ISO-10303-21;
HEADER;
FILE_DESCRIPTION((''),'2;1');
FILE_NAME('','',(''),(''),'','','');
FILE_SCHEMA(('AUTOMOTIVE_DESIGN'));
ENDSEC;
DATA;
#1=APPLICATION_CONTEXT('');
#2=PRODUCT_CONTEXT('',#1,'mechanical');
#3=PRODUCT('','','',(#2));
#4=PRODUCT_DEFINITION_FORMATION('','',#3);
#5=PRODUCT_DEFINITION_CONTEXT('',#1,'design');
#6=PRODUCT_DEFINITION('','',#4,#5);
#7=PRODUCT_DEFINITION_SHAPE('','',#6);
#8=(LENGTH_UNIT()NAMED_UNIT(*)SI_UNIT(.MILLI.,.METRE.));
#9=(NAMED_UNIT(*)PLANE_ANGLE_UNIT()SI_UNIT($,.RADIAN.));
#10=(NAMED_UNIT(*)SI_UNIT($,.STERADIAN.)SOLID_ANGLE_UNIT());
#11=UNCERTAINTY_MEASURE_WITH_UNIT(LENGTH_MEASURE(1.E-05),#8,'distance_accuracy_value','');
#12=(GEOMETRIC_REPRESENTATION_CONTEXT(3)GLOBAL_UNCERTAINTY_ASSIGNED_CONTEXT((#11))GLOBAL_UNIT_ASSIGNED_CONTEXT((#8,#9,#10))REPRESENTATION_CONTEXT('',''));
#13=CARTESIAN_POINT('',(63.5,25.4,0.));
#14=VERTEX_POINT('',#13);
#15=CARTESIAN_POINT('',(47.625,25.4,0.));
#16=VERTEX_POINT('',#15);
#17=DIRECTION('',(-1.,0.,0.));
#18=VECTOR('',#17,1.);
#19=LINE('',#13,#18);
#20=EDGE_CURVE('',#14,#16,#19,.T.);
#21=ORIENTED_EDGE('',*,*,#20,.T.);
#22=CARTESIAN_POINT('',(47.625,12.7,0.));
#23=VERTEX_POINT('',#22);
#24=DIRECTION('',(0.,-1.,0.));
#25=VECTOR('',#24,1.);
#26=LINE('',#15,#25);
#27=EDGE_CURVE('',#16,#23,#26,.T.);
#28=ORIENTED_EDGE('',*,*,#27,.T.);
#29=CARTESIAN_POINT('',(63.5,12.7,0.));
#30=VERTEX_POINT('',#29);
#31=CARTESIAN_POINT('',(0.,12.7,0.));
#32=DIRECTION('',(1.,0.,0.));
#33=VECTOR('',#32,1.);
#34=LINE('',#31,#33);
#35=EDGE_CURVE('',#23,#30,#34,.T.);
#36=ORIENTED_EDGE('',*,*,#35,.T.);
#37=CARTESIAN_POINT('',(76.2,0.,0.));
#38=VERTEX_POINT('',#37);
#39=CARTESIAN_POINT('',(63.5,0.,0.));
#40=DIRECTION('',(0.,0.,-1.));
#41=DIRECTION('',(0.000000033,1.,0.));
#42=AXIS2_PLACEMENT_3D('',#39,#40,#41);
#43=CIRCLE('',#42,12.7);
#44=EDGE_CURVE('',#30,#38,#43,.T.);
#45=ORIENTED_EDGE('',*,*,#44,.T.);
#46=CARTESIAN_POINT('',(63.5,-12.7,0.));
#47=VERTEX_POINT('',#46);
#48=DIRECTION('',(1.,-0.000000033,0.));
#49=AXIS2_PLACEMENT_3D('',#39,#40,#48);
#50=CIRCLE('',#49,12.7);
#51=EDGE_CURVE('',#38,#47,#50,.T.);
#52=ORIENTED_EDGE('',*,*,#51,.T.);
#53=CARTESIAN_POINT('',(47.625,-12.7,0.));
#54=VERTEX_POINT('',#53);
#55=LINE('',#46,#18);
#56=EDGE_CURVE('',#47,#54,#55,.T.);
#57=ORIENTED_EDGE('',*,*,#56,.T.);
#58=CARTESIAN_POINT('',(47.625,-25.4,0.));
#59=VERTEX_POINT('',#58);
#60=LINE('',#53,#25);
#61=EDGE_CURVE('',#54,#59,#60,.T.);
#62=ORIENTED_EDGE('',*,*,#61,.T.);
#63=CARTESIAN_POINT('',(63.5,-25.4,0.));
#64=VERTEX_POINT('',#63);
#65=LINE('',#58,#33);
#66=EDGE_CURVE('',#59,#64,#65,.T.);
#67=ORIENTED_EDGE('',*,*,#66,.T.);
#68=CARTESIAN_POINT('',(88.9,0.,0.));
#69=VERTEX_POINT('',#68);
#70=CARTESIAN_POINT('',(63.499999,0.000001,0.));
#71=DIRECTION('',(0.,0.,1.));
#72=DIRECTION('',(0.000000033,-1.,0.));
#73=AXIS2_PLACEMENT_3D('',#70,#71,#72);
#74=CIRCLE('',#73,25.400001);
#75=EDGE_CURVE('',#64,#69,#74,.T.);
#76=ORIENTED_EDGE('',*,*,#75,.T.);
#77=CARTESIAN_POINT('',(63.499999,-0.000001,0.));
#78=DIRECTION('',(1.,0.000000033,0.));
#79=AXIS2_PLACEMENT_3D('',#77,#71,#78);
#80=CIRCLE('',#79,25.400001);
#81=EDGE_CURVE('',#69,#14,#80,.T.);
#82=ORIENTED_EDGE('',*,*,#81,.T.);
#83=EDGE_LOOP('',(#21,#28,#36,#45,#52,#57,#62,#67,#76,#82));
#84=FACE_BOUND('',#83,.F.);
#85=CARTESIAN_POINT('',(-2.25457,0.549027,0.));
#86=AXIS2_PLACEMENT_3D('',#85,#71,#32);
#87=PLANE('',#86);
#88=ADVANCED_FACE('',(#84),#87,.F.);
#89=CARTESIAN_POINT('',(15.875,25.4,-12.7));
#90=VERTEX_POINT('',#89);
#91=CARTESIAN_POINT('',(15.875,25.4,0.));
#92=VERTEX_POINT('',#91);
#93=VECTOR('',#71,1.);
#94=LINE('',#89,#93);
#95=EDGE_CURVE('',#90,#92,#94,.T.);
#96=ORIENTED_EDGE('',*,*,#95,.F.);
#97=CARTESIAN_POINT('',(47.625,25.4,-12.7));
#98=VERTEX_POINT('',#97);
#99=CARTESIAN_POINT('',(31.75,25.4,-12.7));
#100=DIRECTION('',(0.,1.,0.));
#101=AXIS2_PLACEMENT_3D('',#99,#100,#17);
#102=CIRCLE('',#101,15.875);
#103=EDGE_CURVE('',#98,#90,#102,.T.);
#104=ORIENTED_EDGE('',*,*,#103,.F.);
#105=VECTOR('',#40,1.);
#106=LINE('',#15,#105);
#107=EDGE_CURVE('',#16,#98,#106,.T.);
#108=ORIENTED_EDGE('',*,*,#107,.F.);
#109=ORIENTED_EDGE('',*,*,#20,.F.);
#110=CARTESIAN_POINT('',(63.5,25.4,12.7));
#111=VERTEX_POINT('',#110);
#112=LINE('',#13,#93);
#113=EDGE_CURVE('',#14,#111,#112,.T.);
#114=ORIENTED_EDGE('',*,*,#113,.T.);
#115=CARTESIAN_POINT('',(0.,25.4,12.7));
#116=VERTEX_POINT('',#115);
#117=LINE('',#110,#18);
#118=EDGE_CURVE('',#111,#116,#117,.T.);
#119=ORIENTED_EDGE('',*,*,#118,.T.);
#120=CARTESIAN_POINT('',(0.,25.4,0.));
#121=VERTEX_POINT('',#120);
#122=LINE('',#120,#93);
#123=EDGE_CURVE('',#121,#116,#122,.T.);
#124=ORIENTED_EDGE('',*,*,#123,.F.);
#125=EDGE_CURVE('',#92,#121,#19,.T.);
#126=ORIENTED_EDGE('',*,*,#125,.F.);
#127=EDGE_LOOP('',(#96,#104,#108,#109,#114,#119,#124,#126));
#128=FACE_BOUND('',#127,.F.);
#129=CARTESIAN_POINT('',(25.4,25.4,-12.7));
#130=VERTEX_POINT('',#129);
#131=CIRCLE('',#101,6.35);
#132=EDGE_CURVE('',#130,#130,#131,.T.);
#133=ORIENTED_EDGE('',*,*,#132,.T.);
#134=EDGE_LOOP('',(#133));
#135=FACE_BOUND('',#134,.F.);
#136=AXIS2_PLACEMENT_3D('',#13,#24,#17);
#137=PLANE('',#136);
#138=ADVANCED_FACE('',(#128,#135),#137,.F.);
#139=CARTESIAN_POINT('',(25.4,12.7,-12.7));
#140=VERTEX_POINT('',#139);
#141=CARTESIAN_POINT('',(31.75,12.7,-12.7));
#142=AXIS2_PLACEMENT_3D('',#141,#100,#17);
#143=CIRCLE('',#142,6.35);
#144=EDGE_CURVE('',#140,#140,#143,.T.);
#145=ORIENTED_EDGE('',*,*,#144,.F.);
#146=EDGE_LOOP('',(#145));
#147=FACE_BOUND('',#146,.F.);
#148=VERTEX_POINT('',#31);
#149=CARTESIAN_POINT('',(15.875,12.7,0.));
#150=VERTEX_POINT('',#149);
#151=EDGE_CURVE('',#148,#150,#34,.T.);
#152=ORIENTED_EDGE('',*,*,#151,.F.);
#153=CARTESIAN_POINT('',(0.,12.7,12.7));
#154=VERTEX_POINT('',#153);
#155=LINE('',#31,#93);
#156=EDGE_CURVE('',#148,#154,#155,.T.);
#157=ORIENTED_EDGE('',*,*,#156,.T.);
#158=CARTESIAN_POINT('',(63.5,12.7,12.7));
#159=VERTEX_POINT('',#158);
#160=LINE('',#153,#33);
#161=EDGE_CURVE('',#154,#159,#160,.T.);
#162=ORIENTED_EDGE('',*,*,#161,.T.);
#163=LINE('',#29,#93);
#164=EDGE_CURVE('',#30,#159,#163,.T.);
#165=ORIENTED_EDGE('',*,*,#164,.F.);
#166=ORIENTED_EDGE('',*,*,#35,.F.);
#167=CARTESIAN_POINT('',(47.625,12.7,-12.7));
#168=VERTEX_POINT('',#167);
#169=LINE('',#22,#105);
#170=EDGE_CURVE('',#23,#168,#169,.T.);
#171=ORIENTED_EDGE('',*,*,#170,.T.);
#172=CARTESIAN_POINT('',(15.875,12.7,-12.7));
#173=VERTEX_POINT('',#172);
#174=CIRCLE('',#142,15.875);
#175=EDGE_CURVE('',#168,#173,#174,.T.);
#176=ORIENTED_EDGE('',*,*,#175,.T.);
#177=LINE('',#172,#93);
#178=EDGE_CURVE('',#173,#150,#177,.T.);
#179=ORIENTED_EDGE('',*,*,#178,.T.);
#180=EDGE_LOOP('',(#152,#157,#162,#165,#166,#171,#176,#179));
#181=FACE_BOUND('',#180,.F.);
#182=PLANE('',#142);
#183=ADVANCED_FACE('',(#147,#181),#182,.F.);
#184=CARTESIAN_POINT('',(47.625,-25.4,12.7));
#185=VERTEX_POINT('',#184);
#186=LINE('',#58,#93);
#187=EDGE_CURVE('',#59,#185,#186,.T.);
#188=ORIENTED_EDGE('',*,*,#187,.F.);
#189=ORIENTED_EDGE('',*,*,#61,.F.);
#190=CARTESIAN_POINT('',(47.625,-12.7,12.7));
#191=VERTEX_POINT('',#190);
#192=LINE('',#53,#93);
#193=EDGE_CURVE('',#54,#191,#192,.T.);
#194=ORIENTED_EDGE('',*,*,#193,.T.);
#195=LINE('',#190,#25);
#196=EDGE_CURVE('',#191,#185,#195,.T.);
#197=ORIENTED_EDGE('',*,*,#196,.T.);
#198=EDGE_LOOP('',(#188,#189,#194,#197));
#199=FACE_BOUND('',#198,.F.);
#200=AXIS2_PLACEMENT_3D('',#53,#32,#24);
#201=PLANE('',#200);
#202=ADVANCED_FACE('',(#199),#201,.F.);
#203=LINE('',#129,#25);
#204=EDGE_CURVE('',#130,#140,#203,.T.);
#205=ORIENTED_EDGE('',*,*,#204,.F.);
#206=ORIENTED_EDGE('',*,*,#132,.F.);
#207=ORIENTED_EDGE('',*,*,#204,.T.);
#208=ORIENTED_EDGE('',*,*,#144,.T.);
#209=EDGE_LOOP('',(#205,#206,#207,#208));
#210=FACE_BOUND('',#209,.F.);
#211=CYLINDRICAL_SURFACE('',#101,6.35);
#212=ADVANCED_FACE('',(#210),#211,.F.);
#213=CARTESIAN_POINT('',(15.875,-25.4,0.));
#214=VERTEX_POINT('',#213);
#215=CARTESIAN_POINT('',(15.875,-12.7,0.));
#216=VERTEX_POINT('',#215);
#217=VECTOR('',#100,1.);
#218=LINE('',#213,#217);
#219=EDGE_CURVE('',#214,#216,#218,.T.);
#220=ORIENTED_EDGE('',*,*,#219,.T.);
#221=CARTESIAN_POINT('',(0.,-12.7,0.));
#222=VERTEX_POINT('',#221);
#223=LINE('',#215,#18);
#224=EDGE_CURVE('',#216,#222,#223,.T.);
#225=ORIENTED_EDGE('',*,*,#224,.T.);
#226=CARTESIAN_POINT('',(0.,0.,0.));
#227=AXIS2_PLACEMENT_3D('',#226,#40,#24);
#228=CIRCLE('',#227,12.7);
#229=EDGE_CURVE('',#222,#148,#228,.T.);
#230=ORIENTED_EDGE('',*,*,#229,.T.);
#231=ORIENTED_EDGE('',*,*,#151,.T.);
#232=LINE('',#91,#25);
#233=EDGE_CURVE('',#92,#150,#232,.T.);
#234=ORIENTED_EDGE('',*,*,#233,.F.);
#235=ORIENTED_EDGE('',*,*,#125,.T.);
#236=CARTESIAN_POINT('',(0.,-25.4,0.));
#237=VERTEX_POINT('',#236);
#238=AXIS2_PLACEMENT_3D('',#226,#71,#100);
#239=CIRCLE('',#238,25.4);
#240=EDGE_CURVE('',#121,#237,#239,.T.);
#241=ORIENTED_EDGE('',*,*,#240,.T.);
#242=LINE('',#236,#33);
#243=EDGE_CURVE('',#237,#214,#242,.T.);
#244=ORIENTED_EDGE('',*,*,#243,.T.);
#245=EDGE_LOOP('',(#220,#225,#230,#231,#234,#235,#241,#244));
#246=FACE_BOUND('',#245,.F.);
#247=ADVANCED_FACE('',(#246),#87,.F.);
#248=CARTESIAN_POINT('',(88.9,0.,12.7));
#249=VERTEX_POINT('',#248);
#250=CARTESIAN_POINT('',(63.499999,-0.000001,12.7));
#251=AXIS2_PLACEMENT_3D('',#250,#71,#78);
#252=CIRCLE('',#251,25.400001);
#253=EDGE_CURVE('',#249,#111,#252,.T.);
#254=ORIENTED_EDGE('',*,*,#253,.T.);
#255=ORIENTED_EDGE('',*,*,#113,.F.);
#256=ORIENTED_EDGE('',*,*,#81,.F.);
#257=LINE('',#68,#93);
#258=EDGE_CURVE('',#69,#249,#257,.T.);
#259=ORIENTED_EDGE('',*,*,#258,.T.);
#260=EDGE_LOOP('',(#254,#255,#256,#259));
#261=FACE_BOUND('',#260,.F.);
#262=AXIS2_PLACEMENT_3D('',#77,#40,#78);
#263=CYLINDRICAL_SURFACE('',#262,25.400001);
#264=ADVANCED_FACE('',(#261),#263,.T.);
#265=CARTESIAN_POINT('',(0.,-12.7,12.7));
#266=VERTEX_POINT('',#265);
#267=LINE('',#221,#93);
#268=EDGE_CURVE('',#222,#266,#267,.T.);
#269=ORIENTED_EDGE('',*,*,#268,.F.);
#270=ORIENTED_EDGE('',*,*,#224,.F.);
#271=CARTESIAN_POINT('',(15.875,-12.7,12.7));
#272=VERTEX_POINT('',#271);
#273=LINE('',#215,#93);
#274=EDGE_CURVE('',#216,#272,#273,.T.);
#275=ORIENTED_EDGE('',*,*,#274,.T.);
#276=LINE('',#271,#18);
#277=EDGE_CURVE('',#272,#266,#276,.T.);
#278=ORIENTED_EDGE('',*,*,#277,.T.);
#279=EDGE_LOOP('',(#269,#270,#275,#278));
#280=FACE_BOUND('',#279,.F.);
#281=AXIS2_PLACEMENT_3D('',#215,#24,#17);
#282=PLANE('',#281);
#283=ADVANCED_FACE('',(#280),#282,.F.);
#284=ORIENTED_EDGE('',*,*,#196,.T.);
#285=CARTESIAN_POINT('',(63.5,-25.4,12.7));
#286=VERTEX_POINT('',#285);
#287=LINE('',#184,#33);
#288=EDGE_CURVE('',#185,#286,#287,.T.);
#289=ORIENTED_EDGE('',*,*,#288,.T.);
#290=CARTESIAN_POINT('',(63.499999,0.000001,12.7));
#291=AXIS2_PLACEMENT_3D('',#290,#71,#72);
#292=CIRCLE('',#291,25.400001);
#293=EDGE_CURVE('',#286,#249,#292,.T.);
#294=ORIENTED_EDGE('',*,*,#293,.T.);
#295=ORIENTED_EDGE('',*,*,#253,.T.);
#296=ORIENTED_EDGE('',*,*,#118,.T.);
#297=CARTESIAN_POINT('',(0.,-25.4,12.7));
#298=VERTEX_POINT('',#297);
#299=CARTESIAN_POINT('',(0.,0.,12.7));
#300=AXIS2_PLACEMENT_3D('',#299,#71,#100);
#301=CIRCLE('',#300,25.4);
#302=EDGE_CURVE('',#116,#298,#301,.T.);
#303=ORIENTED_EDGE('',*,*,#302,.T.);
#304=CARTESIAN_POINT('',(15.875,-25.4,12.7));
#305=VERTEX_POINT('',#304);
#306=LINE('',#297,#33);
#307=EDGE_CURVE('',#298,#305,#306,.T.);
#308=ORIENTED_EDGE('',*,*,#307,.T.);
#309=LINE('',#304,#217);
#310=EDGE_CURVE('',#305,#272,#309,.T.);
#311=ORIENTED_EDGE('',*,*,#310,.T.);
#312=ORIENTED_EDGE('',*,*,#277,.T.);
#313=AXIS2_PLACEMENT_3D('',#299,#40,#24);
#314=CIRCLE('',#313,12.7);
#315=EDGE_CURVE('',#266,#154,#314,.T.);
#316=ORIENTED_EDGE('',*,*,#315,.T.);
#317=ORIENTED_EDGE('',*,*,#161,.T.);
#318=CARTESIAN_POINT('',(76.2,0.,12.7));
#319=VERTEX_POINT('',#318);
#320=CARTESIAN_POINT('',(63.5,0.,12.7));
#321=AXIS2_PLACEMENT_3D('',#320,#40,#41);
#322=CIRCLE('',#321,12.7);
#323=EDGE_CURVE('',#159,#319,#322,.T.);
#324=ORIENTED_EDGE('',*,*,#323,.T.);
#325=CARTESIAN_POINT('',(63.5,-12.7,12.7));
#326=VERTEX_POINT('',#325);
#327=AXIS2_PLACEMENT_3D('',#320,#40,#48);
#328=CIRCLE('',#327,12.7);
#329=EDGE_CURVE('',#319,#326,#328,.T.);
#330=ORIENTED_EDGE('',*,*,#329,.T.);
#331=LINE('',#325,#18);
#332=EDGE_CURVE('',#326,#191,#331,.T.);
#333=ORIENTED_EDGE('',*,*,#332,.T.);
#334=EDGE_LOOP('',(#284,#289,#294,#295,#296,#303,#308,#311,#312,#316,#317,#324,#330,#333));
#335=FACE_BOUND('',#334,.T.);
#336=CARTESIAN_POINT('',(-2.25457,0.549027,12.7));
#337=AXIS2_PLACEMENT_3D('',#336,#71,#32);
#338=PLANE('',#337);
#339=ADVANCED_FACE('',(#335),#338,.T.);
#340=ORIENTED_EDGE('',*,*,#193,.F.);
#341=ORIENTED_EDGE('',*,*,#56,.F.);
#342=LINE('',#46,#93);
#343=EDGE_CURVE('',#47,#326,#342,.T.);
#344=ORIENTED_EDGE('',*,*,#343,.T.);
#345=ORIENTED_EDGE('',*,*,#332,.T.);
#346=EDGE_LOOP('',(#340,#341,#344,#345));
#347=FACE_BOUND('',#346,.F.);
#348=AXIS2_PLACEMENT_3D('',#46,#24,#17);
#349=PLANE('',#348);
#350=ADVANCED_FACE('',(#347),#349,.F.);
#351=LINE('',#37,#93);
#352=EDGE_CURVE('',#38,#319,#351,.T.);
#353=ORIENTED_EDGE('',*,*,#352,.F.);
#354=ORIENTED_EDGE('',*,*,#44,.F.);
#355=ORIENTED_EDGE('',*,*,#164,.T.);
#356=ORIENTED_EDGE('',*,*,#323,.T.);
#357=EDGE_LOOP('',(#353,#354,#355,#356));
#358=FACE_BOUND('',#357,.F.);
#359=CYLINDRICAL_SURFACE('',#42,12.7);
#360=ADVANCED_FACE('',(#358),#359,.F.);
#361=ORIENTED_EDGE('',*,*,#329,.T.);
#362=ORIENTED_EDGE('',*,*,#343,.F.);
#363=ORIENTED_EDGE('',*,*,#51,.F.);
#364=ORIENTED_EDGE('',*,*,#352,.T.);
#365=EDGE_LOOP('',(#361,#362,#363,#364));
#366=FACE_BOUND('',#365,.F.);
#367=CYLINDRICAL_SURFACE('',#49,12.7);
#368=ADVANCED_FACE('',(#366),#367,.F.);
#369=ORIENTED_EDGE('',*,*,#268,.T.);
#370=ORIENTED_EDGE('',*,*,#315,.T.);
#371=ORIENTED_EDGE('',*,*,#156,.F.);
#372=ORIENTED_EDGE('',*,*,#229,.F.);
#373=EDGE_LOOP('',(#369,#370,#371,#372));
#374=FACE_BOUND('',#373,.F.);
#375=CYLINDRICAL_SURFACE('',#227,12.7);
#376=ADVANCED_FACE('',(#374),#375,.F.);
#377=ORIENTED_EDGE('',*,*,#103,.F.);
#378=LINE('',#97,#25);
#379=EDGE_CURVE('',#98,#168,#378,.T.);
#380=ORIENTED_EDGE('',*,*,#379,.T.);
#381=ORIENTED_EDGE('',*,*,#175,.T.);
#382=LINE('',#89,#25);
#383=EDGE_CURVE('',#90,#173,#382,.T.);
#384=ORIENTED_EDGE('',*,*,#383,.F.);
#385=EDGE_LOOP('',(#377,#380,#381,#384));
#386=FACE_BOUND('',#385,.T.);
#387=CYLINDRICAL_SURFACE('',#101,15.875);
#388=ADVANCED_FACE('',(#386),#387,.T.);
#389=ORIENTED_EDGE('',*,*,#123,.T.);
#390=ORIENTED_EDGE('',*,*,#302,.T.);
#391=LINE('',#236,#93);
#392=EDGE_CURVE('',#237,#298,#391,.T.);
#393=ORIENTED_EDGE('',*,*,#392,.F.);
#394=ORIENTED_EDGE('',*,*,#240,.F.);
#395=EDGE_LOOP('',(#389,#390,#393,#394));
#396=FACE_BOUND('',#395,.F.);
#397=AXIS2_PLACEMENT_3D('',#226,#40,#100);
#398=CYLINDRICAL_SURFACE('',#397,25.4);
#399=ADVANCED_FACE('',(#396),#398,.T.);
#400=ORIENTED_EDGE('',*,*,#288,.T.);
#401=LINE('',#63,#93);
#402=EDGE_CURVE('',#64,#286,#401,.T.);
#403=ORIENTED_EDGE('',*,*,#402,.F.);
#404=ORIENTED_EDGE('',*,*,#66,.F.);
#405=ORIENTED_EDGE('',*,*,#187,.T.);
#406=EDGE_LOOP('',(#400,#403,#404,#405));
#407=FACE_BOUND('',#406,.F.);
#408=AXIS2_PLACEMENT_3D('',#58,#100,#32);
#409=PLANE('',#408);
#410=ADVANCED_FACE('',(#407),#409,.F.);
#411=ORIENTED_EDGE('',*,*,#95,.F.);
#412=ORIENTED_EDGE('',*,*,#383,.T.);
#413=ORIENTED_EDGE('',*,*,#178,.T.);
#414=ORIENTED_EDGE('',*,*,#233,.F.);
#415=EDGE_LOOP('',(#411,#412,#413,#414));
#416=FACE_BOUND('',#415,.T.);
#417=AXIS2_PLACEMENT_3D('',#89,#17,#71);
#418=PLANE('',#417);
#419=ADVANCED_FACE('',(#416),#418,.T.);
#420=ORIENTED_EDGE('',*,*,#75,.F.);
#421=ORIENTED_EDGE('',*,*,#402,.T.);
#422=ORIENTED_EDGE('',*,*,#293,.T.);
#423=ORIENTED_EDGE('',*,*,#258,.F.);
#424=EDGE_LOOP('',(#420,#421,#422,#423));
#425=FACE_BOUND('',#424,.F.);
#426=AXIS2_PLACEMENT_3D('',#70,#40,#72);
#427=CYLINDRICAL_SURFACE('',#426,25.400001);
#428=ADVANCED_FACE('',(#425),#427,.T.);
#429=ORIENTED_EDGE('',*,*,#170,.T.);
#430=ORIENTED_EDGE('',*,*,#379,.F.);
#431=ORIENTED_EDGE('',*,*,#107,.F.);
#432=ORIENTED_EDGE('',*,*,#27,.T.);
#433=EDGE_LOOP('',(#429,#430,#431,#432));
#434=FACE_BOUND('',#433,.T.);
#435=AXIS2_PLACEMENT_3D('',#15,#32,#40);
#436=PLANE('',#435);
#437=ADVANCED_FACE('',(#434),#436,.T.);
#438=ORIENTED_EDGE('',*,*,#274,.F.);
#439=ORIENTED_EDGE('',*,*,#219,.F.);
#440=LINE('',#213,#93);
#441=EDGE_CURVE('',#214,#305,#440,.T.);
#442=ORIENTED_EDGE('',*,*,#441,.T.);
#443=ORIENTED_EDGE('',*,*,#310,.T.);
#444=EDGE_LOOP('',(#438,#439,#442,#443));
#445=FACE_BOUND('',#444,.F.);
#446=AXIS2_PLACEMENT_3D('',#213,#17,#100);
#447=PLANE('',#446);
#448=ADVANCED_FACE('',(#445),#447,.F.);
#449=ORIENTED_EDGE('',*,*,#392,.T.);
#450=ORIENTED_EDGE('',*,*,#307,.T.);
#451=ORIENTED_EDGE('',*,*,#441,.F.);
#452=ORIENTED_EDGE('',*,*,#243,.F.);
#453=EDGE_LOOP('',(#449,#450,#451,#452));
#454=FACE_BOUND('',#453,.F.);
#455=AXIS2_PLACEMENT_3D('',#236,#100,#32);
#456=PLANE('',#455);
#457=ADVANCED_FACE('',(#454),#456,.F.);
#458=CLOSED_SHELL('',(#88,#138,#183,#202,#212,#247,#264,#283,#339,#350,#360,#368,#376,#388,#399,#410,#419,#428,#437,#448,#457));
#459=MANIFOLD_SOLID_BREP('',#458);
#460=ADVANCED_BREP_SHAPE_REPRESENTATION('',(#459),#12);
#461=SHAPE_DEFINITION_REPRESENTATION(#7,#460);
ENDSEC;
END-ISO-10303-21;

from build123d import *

# Parameters (mm, degrees)
F1_DEPTH = 12.7
F2_R     = 6.35
F3_DEPTH = 12.7


with BuildPart() as f1:
    # F0 (on Top) → F1 (new body)
    with BuildSketch(Plane.XY):
        with BuildLine():
            ThreePointArc((21.997045, 12.7), (12.7, 21.997045), (0, 25.4))
            ThreePointArc((0, 25.4), (-25.4, 0), (0, -25.4))
            ThreePointArc((0, -25.4), (8.412257, -23.966517), (15.875, -19.827869))
            Line((15.875, -19.827869), (15.875, -12.7))
            Line((15.875, -12.7), (0, -12.7))
            ThreePointArc((0, -12.7), (-12.7, 0), (0, 12.7))
            Line((0, 12.7), (21.997045, 12.7))
        make_face()
        with BuildLine():
            Line((63.5, 25.4), (0, 25.4))
            ThreePointArc((0, 25.4), (12.7, 21.997045), (21.997045, 12.7))
            Line((21.997045, 12.7), (41.502955, 12.7))
            ThreePointArc((41.502955, 12.7), (50.8, 21.997045), (63.5, 25.4))
        make_face()
        with BuildLine():
            ThreePointArc((88.9, 0), (81.460512, 17.960512), (63.5, 25.4))
            ThreePointArc((63.5, 25.4), (50.8, 21.997045), (41.502955, 12.7))
            Line((41.502955, 12.7), (63.5, 12.7))
            ThreePointArc((63.5, 12.7), (72.480256, 8.980256), (76.2, 0))
            ThreePointArc((76.2, 0), (72.480256, -8.980256), (63.5, -12.7))
            Line((63.5, -12.7), (63.5, -25.4))
            ThreePointArc((63.5, -25.4), (81.460512, -17.960512), (88.9, 0))
        make_face()
        with BuildLine():
            ThreePointArc((63.5, -25.4), (55.087743, -23.966517), (47.625, -19.827869))
            Line((47.625, -19.827869), (47.625, -25.4))
            Line((47.625, -25.4), (63.5, -25.4))
        make_face()
        with BuildLine():
            ThreePointArc((15.875, -19.827869), (8.412257, -23.966517), (0, -25.4))
            Line((0, -25.4), (15.875, -25.4))
            Line((15.875, -25.4), (15.875, -19.827869))
        make_face()
        with BuildLine():
            Line((47.625, -12.7), (47.625, -19.827869))
            ThreePointArc((47.625, -19.827869), (55.087743, -23.966517), (63.5, -25.4))
            Line((63.5, -25.4), (63.5, -12.7))
            Line((63.5, -12.7), (47.625, -12.7))
        make_face()
    extrude(amount=F1_DEPTH)

    # F2 (on face) → F3 (join, through all)
    with BuildSketch(Plane(origin=(0, 25.4, 0), x_dir=(-1, 0, 0), z_dir=(0, 1, 0))):
        with BuildLine():
            ThreePointArc((-47.625, -12.7), (-31.75, -28.575), (-15.875, -12.7))
            ThreePointArc((-15.875, -12.7), (-31.75, 3.175), (-47.625, -12.7))
        make_face()
        with Locations((-31.75, -12.7)):
            Circle(F2_R, mode=Mode.SUBTRACT)
        with BuildLine():
            ThreePointArc((-22.225, 0), (-17.550968, -5.600484), (-15.875, -12.7))
            Line((-15.875, -12.7), (-15.875, 0))
            Line((-15.875, 0), (-22.225, 0))
        make_face()
        with BuildLine():
            Line((-47.625, 0), (-47.625, -12.7))
            ThreePointArc((-47.625, -12.7), (-45.949032, -5.600484), (-41.275, 0))
            Line((-41.275, 0), (-47.625, 0))
        make_face()
    extrude(amount=-F3_DEPTH)


solid = f1.part
